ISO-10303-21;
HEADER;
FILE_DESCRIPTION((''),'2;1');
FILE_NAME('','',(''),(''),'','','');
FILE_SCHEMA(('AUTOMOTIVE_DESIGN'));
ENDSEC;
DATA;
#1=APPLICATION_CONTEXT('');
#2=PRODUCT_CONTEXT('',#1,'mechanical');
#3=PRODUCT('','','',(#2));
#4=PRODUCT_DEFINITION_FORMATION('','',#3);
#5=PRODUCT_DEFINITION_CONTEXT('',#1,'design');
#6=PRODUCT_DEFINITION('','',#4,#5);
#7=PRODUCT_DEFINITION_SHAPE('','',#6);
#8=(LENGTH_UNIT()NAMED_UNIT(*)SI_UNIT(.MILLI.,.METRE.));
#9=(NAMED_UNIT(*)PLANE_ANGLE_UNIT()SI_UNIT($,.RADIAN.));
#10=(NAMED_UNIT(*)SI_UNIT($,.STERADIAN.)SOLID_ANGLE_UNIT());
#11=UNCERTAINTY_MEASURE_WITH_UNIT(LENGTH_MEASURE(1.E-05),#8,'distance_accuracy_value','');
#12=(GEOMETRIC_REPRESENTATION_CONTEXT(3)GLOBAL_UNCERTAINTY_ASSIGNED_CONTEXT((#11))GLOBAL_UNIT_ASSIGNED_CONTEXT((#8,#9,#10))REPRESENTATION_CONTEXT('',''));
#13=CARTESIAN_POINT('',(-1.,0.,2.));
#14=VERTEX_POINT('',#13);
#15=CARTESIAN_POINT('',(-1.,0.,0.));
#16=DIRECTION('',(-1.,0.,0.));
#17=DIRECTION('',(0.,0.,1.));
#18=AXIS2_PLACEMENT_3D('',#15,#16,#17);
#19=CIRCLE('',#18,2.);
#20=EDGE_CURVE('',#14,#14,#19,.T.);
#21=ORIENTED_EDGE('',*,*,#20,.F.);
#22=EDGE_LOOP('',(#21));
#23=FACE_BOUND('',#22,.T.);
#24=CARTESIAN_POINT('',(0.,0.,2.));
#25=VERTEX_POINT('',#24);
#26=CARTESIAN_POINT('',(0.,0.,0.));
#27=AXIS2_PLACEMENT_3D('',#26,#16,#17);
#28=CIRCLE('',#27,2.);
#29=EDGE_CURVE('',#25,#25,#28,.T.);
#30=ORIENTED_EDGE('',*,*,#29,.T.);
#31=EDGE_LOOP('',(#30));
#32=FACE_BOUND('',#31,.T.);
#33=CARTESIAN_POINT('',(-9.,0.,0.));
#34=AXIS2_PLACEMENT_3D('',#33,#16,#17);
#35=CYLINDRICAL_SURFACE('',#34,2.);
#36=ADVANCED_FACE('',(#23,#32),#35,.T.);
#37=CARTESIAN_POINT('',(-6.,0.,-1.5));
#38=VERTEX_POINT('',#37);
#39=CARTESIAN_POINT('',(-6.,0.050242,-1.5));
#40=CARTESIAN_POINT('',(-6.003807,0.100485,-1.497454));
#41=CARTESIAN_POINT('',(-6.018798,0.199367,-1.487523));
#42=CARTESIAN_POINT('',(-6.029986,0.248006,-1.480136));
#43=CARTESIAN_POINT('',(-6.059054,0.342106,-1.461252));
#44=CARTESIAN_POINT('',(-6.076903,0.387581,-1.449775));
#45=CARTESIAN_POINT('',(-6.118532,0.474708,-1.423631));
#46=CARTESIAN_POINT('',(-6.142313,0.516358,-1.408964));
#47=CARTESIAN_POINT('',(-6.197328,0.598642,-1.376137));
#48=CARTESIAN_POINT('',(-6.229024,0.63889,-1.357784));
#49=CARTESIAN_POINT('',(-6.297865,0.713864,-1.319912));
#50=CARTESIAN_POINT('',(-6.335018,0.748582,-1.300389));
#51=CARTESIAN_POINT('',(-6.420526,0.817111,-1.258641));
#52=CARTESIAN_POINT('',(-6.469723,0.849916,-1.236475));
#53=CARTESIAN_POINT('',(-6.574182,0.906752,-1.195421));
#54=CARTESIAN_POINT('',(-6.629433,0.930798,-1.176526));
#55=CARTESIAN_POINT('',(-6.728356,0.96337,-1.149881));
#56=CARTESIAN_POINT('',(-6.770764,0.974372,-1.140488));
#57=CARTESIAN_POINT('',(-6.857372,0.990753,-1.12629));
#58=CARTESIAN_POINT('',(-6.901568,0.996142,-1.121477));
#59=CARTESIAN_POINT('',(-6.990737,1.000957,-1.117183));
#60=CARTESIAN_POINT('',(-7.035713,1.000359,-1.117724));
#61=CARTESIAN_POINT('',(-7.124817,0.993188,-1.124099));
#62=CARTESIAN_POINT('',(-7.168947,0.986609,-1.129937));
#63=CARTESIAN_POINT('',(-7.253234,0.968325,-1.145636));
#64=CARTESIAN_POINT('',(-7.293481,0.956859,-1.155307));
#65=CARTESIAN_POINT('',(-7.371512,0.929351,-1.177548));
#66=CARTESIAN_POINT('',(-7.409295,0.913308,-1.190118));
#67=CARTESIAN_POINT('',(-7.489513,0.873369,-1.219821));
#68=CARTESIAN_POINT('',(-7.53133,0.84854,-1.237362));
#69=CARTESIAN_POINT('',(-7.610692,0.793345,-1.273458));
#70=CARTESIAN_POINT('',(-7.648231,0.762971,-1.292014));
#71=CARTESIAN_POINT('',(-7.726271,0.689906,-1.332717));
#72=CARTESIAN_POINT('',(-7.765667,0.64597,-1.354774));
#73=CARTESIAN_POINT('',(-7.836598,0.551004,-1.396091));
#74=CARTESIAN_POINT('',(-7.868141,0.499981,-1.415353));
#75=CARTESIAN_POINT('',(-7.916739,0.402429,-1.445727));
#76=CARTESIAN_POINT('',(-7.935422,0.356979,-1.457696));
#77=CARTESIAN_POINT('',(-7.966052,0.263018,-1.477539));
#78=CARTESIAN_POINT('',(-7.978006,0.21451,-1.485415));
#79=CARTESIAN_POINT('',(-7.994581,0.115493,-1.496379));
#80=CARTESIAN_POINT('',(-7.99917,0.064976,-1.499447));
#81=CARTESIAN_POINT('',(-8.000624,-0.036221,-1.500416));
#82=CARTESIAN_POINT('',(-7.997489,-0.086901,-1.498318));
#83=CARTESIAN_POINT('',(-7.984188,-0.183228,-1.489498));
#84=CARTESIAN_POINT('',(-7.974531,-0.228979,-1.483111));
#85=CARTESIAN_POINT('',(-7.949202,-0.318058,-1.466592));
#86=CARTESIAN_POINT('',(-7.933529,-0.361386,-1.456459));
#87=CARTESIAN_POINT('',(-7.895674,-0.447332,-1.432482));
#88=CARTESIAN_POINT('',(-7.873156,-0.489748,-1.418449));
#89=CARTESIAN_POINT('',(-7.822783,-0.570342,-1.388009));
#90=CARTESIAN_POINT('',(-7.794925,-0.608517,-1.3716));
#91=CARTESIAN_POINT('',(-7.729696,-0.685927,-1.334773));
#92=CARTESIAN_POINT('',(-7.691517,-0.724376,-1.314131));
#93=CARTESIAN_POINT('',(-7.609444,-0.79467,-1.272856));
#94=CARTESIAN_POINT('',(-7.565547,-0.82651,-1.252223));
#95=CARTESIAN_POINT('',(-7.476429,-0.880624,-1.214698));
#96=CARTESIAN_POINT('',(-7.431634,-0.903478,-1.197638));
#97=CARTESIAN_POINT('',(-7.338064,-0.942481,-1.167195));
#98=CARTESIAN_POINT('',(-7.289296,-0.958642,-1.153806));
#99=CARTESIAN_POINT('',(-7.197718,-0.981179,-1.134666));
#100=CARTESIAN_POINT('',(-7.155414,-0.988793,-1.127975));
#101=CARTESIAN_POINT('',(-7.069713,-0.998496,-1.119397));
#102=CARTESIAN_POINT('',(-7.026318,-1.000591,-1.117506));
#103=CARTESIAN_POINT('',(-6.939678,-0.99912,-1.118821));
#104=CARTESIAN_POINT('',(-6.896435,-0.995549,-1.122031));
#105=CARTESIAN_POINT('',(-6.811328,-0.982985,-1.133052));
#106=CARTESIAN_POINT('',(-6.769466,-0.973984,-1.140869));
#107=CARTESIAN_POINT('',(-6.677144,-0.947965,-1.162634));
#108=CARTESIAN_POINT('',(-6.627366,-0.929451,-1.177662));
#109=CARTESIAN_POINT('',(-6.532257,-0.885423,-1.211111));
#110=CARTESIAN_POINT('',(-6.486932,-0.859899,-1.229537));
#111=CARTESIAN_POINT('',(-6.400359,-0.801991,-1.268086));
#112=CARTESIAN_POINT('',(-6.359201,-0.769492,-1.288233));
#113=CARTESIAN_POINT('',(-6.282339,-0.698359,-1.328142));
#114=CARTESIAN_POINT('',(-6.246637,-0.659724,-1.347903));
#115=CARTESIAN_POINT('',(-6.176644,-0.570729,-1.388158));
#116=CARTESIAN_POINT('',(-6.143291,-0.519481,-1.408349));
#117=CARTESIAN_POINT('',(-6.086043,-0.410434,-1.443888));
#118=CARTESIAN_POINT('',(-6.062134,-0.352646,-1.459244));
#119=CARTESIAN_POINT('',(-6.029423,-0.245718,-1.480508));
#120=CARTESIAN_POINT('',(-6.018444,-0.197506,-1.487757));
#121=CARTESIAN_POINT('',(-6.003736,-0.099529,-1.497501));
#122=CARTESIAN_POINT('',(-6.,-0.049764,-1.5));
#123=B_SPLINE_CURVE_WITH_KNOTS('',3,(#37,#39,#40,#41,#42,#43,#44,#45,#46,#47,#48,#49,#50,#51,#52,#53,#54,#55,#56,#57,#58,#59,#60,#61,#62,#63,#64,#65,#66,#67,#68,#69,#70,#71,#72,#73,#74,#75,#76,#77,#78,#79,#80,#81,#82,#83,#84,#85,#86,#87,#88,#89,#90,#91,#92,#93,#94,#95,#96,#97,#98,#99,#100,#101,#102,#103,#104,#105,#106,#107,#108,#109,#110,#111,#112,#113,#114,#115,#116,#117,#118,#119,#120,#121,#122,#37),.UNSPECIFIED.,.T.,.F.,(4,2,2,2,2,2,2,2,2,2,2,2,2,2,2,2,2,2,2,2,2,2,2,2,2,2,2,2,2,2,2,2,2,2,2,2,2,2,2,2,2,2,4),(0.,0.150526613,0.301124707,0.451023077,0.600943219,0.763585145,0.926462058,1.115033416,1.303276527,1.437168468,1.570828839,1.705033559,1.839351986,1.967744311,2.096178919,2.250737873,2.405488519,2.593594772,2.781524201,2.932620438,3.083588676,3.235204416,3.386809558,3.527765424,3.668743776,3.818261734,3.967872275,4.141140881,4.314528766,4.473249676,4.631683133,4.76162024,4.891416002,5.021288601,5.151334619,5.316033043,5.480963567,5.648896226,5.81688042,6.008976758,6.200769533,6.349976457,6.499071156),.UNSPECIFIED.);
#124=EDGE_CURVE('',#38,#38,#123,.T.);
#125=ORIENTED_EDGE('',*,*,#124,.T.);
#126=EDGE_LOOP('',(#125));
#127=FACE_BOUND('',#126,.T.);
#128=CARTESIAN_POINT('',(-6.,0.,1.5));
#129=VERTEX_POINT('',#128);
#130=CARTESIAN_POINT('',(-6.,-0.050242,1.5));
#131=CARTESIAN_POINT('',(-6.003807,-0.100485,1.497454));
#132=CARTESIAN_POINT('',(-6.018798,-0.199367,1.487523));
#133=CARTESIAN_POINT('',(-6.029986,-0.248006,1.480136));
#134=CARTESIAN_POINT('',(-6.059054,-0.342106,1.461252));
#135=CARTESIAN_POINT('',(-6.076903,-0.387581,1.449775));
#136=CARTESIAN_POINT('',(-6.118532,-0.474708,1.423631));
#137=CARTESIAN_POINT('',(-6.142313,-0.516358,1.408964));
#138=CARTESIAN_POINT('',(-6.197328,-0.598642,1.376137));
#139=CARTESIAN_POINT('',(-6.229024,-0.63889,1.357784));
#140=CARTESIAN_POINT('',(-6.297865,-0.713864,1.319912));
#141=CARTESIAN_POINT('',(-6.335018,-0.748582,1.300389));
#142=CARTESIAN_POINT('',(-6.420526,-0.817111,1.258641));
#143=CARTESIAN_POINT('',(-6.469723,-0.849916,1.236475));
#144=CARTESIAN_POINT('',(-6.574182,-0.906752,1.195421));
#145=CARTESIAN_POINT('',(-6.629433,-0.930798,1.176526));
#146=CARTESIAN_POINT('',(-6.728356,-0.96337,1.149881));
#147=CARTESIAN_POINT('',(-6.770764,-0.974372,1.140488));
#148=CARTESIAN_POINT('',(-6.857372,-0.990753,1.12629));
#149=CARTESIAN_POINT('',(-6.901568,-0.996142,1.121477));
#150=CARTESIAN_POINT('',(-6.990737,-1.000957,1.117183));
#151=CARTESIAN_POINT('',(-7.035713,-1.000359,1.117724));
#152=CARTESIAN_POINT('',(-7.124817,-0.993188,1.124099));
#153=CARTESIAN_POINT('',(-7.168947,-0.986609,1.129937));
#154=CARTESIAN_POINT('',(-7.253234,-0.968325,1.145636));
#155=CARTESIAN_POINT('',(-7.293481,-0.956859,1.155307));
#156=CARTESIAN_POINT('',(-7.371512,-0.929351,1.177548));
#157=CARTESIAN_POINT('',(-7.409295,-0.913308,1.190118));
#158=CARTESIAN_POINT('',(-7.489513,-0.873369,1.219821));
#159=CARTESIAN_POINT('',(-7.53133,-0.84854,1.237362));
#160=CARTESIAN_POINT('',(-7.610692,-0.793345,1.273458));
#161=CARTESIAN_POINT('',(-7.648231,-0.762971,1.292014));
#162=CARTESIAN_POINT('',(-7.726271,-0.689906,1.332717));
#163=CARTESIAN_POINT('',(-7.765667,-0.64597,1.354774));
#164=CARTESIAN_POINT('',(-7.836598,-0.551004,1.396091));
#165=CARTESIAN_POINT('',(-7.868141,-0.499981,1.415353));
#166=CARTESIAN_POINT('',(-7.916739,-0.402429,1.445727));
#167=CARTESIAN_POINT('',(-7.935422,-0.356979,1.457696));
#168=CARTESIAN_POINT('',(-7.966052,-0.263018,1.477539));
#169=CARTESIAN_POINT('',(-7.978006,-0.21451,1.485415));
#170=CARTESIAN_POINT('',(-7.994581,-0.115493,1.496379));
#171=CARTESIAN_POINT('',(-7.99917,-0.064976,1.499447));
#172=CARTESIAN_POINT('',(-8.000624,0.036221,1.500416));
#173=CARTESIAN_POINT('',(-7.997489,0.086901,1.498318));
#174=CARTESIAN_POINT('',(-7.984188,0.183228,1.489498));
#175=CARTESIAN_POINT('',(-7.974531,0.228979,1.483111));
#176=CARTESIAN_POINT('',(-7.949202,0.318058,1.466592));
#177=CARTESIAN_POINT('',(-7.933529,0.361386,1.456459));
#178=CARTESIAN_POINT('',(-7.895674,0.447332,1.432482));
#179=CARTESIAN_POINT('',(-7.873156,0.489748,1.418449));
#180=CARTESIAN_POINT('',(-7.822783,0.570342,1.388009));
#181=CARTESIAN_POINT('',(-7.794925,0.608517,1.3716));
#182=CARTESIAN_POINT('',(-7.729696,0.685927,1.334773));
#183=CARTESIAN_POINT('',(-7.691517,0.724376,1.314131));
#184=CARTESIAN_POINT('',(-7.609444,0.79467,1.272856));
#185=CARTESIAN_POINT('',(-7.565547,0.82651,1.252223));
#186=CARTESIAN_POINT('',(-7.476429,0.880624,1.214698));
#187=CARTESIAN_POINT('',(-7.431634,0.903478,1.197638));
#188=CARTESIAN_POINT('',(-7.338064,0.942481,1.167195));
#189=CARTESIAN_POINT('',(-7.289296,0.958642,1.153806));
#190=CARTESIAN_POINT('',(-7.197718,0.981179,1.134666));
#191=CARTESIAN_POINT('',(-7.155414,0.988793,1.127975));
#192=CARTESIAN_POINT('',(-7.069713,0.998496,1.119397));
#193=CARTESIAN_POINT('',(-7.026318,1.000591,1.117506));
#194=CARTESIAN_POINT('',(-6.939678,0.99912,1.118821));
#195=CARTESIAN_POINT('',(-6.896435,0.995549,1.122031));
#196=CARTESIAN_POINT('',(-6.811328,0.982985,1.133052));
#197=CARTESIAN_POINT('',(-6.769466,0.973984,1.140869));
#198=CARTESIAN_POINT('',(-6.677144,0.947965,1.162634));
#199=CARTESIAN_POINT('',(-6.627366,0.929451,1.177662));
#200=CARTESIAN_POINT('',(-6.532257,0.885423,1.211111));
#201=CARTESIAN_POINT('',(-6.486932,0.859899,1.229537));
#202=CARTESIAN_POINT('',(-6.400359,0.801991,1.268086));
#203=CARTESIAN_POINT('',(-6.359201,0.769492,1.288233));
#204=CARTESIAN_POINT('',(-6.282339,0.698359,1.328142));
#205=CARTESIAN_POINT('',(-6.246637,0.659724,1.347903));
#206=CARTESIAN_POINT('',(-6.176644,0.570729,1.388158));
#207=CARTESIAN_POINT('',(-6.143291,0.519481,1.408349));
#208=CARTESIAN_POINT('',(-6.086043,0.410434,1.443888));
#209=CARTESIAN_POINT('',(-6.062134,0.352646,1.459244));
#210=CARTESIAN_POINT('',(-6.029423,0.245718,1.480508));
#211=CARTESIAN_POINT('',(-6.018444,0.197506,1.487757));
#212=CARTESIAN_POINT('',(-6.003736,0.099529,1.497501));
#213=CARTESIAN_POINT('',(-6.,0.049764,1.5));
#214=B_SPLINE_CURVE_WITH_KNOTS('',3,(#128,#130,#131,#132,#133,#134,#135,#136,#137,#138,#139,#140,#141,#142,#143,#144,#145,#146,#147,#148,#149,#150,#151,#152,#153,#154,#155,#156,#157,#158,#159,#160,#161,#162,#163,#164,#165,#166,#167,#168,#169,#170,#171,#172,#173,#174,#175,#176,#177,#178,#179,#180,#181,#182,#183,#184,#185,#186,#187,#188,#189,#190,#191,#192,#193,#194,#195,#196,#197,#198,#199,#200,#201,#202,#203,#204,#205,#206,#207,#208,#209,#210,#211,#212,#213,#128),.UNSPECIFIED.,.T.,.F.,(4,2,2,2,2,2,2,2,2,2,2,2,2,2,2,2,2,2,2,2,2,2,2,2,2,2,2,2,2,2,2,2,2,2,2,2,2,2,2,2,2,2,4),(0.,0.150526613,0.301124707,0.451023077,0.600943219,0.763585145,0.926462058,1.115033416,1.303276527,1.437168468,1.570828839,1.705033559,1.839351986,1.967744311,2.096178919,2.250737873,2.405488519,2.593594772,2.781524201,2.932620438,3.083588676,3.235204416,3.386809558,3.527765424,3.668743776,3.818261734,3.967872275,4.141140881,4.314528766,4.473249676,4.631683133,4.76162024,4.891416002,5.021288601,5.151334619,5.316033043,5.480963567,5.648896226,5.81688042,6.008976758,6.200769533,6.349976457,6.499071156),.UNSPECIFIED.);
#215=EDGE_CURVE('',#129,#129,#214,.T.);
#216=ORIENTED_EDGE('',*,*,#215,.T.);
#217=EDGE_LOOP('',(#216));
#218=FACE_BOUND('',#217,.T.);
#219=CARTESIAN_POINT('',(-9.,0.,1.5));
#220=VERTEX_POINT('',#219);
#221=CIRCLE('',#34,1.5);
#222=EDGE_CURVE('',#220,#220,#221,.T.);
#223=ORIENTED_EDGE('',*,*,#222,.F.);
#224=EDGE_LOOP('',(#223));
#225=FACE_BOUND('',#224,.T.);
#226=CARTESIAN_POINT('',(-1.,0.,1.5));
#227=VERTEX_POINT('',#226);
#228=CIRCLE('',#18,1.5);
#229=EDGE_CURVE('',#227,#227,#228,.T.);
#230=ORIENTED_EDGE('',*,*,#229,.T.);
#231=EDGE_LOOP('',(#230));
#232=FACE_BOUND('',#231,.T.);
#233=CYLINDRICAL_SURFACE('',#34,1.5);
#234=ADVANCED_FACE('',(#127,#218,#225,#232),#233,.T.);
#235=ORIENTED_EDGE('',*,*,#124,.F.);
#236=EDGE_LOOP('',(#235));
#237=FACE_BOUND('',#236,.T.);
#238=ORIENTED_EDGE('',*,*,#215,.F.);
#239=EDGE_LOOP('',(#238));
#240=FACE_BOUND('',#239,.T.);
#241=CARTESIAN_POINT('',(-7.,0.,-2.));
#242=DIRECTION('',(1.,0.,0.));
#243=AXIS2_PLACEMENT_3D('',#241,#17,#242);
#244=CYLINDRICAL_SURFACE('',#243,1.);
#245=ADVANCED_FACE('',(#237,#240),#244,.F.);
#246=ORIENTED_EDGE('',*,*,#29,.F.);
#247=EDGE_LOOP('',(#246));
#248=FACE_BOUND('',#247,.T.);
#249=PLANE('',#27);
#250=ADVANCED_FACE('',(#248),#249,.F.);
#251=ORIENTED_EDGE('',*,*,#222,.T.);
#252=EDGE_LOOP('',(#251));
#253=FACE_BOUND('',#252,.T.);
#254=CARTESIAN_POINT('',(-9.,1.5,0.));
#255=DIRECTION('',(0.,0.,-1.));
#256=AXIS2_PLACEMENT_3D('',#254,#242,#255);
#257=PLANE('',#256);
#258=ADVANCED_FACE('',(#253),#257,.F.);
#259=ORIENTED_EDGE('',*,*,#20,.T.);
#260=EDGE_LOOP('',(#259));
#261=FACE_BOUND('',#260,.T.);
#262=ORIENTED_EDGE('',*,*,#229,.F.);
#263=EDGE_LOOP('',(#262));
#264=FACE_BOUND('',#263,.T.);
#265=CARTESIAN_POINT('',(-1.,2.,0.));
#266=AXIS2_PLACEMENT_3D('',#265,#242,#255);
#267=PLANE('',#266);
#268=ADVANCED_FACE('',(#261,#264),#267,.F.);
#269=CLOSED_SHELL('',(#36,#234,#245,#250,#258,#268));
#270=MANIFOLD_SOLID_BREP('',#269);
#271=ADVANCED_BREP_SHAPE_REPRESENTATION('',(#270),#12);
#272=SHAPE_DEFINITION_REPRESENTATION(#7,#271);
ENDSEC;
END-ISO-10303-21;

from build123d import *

# Parameters (mm, degrees)
CUT_EXTRUDE1_DEPTH      = 10.433981132
CUT_EXTRUDE1_DEPTH_BACK = 10.433981132
SKETCH2_R               = 1


with BuildPart() as part:
    # Sketch1 → Revolve1 (revolve)
    with BuildSketch(Plane.XY, mode=Mode.PRIVATE) as revolve1_sk:
        Polygon((0, 2), (-1, 2), (-1, 1.5), (-9, 1.5), (-9, 0), (0, 0), align=None)
    revolve(revolve1_sk.sketch.rotate(Axis((-9, 0, 0), (1, 0, 0)), 90), axis=Axis((-9, 0, 0), (1, 0, 0)))

    # Sketch2 → Cut-Extrude1 (cut, two sides: drawn at the far end of the back side and taken through both)
    with BuildSketch(Plane.XY.offset(-CUT_EXTRUDE1_DEPTH_BACK)):
        with Locations((-7, 0)):
            Circle(SKETCH2_R)
    extrude(amount=CUT_EXTRUDE1_DEPTH + CUT_EXTRUDE1_DEPTH_BACK, mode=Mode.SUBTRACT)


solid = part.part
